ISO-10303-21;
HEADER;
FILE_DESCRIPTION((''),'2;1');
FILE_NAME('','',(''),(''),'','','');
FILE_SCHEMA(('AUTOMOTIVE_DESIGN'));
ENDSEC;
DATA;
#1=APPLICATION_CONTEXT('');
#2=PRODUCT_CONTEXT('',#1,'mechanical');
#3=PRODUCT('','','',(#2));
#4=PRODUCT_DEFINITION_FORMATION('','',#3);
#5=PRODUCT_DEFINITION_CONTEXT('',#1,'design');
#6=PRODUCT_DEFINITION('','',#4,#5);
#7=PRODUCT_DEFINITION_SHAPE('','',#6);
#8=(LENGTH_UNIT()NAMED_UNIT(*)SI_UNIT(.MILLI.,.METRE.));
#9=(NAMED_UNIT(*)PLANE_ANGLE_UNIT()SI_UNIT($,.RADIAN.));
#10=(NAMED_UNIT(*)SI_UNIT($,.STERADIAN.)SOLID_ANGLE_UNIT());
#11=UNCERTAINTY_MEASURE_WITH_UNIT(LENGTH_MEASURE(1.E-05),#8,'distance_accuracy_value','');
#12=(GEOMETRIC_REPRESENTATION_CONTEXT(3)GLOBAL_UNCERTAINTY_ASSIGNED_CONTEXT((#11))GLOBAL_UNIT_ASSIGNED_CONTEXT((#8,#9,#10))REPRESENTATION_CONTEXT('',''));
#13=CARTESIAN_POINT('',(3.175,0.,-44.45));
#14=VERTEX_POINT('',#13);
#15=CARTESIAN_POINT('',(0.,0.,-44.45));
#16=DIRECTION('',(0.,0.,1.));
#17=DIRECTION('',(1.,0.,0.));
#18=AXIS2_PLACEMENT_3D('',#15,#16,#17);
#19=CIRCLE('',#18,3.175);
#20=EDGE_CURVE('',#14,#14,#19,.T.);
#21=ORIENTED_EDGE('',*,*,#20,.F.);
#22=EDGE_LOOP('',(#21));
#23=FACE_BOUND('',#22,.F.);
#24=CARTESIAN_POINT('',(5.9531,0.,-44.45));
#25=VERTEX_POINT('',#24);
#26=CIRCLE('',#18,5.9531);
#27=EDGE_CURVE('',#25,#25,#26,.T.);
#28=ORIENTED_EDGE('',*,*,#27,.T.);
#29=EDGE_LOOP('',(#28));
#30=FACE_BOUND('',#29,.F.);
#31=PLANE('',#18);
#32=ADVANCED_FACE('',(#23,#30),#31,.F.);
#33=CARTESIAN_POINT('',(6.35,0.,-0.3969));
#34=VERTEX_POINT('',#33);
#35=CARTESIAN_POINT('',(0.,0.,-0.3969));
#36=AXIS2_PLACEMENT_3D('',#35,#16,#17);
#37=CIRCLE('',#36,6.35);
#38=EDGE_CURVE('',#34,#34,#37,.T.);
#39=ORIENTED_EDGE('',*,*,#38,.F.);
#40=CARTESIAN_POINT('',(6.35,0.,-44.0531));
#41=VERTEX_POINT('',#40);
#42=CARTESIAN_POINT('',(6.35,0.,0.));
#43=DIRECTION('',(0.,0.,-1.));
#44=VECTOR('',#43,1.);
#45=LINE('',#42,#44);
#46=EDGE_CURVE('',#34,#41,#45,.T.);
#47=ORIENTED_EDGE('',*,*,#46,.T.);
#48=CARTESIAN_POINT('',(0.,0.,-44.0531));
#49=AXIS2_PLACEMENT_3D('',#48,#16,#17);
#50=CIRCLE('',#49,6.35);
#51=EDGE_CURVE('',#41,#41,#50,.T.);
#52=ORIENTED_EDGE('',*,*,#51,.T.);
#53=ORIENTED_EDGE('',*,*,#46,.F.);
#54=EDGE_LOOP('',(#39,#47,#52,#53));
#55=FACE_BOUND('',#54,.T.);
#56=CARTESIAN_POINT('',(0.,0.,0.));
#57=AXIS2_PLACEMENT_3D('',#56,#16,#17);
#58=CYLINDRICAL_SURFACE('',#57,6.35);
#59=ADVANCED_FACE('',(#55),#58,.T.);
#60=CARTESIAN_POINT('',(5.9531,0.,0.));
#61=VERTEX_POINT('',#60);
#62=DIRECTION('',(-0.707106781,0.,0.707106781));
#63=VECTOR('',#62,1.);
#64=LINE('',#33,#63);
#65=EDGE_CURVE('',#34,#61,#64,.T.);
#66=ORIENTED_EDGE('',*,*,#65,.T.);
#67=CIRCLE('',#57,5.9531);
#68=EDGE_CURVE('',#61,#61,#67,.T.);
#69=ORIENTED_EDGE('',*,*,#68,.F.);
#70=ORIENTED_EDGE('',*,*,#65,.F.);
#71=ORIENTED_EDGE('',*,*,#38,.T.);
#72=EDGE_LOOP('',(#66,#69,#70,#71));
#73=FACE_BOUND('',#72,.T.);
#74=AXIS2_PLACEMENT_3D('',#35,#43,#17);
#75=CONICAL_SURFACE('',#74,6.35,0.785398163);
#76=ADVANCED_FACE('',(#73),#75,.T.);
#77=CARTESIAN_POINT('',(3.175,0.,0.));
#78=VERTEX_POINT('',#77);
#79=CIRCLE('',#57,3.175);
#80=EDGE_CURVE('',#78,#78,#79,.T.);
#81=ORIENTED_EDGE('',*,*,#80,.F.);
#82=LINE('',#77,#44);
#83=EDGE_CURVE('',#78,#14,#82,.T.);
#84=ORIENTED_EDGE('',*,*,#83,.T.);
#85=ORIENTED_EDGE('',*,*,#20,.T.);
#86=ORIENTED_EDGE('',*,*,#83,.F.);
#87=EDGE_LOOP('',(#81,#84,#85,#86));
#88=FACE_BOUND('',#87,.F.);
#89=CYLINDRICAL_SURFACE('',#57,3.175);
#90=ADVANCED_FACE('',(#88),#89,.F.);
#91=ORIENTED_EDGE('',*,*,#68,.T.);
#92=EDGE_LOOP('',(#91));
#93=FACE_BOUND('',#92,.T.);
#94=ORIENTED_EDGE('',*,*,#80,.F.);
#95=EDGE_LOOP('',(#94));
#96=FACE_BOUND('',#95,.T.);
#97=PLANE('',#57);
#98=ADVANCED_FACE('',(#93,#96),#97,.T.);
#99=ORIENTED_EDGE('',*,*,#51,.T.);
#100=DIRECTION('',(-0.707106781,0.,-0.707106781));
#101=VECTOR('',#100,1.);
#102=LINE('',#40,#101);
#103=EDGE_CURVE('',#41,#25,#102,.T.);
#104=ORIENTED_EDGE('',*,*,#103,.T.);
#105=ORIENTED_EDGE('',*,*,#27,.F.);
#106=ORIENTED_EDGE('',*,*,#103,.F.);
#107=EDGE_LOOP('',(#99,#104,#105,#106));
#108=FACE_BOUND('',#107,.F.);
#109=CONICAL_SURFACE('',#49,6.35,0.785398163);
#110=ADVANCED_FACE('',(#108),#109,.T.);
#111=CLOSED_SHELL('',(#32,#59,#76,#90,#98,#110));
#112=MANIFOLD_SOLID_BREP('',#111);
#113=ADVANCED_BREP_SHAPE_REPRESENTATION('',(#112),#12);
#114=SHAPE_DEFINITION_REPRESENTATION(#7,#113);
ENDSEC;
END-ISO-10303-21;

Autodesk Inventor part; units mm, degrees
ref_plane "YZ Plane" through (0, 0, 0) normal (1, 0, 0) x (0, 1, 0)
ref_plane "XZ Plane" through (0, 0, 0) normal (0, 1, 0) x (-1, 0, 0)
ref_plane "XY Plane" through (0, 0, 0) normal (0, 0, 1) x (1, 0, 0)
sketch "Sketch1" plane through (0, 0, 0) normal (0, 0, 1) x (1, 0, 0)
  circle A0 centre (0, 0) radius 3.175
  circle A1 centre (0, 0) radius 6.35
  dimension "d0" = 6.35
  dimension "d1" = 12.7
extrude "Extrusion1" add sketch "Sketch1" against normal blind 44.45
chamfer "Chamfer1" distance 0.3969 angle 45 2 edges at (-6.35, 0, 0) (-6.35, 0, -44.45)
properties part number "lexan top bolt stop spacer"
